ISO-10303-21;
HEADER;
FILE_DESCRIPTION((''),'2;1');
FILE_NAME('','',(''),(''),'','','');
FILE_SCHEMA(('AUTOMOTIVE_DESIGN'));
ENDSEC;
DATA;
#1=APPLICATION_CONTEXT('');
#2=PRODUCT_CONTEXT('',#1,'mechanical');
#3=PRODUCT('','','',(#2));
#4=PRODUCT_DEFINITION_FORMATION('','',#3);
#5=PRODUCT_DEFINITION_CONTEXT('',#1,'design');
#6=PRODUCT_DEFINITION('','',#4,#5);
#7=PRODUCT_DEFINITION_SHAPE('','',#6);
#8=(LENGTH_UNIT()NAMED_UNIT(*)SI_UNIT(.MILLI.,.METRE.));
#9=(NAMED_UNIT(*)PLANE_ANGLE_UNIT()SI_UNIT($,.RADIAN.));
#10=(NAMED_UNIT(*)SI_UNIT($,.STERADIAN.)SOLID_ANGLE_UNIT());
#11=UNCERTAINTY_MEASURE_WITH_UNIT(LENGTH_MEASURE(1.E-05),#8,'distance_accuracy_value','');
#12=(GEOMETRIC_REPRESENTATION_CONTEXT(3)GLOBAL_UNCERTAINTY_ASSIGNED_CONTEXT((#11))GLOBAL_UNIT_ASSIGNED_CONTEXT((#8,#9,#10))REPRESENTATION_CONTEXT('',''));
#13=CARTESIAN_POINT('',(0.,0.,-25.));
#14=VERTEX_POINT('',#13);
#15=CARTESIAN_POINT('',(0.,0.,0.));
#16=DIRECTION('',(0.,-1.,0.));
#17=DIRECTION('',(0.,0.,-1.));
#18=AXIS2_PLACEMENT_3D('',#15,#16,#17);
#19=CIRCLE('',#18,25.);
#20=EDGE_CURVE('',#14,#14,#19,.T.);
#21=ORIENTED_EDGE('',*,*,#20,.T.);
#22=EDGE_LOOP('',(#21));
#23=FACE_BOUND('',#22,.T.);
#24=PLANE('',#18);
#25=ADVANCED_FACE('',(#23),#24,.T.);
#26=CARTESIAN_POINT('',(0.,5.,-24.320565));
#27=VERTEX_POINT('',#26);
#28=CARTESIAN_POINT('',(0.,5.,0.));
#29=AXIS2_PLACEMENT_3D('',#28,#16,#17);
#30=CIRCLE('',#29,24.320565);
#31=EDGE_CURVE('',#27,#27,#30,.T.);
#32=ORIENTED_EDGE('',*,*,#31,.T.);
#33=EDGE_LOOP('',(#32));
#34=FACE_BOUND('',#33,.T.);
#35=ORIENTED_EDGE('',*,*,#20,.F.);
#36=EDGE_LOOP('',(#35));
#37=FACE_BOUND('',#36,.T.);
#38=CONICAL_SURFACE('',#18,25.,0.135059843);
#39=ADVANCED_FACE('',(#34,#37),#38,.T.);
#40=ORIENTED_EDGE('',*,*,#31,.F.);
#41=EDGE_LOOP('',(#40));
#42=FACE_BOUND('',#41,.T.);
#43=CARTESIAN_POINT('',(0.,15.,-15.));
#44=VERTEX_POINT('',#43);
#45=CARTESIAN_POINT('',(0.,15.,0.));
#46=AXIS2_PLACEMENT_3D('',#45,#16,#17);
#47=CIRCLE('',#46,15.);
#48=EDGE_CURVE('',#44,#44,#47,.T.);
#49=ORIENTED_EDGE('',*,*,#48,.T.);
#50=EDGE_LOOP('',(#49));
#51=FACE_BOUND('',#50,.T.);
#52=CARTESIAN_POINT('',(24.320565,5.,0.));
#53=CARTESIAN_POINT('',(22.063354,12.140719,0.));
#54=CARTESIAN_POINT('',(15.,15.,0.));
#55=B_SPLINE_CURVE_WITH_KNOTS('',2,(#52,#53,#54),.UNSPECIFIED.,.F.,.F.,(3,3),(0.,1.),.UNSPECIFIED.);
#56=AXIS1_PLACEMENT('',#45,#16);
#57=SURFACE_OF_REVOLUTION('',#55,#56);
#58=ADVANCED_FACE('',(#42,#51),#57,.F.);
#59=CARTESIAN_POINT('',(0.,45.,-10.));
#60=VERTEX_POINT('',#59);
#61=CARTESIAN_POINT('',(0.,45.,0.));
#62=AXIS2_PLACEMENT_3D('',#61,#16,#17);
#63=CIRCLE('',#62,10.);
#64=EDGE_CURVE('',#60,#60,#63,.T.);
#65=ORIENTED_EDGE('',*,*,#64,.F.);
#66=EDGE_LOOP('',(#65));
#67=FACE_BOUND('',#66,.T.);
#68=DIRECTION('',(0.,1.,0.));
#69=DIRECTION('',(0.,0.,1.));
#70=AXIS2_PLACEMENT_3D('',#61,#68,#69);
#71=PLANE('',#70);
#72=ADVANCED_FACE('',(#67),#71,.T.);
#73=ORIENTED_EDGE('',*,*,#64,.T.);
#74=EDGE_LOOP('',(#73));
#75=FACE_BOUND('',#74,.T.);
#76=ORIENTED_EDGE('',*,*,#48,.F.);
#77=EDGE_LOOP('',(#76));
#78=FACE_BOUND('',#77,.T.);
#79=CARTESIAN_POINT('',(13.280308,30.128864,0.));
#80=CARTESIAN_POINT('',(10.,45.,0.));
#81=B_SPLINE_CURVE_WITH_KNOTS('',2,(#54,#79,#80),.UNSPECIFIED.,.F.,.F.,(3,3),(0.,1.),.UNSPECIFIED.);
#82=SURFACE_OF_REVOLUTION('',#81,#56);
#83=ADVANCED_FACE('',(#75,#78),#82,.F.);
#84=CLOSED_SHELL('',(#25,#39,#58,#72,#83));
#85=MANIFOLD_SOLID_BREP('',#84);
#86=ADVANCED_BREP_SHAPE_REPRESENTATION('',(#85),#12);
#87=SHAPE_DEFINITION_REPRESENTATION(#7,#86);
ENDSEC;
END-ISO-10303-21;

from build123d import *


with BuildPart() as part:
    # Sketch2 → Revolve1 (revolve)
    with BuildSketch(Plane.XY, mode=Mode.PRIVATE) as revolve1_sk:
        with BuildLine():
            Line((0, 0), (0, 5))
            Line((0, 5), (0, 15))
            Line((0, 15), (0, 45))
            Line((0, 45), (10, 45))
            add(Edge.make_bspline(
                [(15, 15), (13.280308285, 30.128863552), (10, 45)],
                knots=[0, 0, 0, 1, 1, 1], degree=2))
            add(Edge.make_bspline(
                [(24.32056452, 5), (22.063353764, 12.140719437), (15, 15)],
                knots=[0, 0, 0, 1, 1, 1], degree=2))
            Line((24.32056452, 5), (25, 0))
            Line((25, 0), (0, 0))
        make_face()
    revolve(revolve1_sk.sketch.rotate(Axis((0, 15, 0), (0, 1, 0)), 90), axis=Axis((0, 15, 0), (0, 1, 0)))


solid = part.part
